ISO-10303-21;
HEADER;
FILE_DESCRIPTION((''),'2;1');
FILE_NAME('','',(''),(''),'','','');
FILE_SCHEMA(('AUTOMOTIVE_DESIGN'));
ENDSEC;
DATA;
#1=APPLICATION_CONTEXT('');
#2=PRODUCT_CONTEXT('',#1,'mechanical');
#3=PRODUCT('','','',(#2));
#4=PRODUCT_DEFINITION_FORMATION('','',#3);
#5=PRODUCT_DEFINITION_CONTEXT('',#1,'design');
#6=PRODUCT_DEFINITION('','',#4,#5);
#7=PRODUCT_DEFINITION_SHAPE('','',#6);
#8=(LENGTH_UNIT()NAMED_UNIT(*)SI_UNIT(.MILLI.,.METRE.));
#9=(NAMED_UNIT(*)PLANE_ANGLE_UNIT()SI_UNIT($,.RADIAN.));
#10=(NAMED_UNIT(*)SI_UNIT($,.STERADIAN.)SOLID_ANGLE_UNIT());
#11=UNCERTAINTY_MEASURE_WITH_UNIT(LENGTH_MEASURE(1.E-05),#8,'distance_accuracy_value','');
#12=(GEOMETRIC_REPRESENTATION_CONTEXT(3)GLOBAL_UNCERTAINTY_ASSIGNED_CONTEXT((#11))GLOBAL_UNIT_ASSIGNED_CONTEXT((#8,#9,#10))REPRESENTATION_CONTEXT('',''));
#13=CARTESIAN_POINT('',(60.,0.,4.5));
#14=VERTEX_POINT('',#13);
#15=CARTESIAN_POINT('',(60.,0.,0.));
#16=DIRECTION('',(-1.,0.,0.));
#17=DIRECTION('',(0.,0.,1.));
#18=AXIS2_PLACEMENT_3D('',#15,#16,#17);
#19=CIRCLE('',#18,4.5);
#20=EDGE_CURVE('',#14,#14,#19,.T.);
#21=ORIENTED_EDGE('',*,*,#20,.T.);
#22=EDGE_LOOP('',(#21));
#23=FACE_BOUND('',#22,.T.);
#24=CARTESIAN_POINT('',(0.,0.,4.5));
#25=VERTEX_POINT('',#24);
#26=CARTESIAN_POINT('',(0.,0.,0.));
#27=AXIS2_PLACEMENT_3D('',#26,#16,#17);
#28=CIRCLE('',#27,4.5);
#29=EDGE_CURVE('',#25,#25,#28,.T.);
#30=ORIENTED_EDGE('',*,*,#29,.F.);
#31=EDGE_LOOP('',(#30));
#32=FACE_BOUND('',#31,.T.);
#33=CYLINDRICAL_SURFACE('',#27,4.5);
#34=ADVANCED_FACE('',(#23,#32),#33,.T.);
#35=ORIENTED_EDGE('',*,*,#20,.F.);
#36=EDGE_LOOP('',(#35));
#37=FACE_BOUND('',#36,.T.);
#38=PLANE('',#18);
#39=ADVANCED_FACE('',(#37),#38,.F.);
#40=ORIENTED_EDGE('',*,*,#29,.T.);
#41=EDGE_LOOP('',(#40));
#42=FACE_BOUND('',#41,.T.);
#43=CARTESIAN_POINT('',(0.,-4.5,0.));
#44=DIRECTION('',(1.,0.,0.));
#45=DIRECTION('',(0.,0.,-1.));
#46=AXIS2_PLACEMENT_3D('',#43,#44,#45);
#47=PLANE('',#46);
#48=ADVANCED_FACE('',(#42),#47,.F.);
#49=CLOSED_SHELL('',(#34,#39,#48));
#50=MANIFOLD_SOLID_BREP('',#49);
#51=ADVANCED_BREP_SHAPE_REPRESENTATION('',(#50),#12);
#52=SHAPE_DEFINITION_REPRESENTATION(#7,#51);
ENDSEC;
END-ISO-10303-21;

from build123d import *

# Parameters (mm, degrees)
SKETCH1_W = 60
SKETCH1_H = 4.5


with BuildPart() as part:
    # Sketch1 → Revolve-Thin1 (revolve)
    with BuildSketch(Plane.XY):
        with Locations((30, 2.25)):
            Rectangle(SKETCH1_W, SKETCH1_H)
    revolve(axis=Axis((0, 0, 0), (1, 0, 0)))


solid = part.part
